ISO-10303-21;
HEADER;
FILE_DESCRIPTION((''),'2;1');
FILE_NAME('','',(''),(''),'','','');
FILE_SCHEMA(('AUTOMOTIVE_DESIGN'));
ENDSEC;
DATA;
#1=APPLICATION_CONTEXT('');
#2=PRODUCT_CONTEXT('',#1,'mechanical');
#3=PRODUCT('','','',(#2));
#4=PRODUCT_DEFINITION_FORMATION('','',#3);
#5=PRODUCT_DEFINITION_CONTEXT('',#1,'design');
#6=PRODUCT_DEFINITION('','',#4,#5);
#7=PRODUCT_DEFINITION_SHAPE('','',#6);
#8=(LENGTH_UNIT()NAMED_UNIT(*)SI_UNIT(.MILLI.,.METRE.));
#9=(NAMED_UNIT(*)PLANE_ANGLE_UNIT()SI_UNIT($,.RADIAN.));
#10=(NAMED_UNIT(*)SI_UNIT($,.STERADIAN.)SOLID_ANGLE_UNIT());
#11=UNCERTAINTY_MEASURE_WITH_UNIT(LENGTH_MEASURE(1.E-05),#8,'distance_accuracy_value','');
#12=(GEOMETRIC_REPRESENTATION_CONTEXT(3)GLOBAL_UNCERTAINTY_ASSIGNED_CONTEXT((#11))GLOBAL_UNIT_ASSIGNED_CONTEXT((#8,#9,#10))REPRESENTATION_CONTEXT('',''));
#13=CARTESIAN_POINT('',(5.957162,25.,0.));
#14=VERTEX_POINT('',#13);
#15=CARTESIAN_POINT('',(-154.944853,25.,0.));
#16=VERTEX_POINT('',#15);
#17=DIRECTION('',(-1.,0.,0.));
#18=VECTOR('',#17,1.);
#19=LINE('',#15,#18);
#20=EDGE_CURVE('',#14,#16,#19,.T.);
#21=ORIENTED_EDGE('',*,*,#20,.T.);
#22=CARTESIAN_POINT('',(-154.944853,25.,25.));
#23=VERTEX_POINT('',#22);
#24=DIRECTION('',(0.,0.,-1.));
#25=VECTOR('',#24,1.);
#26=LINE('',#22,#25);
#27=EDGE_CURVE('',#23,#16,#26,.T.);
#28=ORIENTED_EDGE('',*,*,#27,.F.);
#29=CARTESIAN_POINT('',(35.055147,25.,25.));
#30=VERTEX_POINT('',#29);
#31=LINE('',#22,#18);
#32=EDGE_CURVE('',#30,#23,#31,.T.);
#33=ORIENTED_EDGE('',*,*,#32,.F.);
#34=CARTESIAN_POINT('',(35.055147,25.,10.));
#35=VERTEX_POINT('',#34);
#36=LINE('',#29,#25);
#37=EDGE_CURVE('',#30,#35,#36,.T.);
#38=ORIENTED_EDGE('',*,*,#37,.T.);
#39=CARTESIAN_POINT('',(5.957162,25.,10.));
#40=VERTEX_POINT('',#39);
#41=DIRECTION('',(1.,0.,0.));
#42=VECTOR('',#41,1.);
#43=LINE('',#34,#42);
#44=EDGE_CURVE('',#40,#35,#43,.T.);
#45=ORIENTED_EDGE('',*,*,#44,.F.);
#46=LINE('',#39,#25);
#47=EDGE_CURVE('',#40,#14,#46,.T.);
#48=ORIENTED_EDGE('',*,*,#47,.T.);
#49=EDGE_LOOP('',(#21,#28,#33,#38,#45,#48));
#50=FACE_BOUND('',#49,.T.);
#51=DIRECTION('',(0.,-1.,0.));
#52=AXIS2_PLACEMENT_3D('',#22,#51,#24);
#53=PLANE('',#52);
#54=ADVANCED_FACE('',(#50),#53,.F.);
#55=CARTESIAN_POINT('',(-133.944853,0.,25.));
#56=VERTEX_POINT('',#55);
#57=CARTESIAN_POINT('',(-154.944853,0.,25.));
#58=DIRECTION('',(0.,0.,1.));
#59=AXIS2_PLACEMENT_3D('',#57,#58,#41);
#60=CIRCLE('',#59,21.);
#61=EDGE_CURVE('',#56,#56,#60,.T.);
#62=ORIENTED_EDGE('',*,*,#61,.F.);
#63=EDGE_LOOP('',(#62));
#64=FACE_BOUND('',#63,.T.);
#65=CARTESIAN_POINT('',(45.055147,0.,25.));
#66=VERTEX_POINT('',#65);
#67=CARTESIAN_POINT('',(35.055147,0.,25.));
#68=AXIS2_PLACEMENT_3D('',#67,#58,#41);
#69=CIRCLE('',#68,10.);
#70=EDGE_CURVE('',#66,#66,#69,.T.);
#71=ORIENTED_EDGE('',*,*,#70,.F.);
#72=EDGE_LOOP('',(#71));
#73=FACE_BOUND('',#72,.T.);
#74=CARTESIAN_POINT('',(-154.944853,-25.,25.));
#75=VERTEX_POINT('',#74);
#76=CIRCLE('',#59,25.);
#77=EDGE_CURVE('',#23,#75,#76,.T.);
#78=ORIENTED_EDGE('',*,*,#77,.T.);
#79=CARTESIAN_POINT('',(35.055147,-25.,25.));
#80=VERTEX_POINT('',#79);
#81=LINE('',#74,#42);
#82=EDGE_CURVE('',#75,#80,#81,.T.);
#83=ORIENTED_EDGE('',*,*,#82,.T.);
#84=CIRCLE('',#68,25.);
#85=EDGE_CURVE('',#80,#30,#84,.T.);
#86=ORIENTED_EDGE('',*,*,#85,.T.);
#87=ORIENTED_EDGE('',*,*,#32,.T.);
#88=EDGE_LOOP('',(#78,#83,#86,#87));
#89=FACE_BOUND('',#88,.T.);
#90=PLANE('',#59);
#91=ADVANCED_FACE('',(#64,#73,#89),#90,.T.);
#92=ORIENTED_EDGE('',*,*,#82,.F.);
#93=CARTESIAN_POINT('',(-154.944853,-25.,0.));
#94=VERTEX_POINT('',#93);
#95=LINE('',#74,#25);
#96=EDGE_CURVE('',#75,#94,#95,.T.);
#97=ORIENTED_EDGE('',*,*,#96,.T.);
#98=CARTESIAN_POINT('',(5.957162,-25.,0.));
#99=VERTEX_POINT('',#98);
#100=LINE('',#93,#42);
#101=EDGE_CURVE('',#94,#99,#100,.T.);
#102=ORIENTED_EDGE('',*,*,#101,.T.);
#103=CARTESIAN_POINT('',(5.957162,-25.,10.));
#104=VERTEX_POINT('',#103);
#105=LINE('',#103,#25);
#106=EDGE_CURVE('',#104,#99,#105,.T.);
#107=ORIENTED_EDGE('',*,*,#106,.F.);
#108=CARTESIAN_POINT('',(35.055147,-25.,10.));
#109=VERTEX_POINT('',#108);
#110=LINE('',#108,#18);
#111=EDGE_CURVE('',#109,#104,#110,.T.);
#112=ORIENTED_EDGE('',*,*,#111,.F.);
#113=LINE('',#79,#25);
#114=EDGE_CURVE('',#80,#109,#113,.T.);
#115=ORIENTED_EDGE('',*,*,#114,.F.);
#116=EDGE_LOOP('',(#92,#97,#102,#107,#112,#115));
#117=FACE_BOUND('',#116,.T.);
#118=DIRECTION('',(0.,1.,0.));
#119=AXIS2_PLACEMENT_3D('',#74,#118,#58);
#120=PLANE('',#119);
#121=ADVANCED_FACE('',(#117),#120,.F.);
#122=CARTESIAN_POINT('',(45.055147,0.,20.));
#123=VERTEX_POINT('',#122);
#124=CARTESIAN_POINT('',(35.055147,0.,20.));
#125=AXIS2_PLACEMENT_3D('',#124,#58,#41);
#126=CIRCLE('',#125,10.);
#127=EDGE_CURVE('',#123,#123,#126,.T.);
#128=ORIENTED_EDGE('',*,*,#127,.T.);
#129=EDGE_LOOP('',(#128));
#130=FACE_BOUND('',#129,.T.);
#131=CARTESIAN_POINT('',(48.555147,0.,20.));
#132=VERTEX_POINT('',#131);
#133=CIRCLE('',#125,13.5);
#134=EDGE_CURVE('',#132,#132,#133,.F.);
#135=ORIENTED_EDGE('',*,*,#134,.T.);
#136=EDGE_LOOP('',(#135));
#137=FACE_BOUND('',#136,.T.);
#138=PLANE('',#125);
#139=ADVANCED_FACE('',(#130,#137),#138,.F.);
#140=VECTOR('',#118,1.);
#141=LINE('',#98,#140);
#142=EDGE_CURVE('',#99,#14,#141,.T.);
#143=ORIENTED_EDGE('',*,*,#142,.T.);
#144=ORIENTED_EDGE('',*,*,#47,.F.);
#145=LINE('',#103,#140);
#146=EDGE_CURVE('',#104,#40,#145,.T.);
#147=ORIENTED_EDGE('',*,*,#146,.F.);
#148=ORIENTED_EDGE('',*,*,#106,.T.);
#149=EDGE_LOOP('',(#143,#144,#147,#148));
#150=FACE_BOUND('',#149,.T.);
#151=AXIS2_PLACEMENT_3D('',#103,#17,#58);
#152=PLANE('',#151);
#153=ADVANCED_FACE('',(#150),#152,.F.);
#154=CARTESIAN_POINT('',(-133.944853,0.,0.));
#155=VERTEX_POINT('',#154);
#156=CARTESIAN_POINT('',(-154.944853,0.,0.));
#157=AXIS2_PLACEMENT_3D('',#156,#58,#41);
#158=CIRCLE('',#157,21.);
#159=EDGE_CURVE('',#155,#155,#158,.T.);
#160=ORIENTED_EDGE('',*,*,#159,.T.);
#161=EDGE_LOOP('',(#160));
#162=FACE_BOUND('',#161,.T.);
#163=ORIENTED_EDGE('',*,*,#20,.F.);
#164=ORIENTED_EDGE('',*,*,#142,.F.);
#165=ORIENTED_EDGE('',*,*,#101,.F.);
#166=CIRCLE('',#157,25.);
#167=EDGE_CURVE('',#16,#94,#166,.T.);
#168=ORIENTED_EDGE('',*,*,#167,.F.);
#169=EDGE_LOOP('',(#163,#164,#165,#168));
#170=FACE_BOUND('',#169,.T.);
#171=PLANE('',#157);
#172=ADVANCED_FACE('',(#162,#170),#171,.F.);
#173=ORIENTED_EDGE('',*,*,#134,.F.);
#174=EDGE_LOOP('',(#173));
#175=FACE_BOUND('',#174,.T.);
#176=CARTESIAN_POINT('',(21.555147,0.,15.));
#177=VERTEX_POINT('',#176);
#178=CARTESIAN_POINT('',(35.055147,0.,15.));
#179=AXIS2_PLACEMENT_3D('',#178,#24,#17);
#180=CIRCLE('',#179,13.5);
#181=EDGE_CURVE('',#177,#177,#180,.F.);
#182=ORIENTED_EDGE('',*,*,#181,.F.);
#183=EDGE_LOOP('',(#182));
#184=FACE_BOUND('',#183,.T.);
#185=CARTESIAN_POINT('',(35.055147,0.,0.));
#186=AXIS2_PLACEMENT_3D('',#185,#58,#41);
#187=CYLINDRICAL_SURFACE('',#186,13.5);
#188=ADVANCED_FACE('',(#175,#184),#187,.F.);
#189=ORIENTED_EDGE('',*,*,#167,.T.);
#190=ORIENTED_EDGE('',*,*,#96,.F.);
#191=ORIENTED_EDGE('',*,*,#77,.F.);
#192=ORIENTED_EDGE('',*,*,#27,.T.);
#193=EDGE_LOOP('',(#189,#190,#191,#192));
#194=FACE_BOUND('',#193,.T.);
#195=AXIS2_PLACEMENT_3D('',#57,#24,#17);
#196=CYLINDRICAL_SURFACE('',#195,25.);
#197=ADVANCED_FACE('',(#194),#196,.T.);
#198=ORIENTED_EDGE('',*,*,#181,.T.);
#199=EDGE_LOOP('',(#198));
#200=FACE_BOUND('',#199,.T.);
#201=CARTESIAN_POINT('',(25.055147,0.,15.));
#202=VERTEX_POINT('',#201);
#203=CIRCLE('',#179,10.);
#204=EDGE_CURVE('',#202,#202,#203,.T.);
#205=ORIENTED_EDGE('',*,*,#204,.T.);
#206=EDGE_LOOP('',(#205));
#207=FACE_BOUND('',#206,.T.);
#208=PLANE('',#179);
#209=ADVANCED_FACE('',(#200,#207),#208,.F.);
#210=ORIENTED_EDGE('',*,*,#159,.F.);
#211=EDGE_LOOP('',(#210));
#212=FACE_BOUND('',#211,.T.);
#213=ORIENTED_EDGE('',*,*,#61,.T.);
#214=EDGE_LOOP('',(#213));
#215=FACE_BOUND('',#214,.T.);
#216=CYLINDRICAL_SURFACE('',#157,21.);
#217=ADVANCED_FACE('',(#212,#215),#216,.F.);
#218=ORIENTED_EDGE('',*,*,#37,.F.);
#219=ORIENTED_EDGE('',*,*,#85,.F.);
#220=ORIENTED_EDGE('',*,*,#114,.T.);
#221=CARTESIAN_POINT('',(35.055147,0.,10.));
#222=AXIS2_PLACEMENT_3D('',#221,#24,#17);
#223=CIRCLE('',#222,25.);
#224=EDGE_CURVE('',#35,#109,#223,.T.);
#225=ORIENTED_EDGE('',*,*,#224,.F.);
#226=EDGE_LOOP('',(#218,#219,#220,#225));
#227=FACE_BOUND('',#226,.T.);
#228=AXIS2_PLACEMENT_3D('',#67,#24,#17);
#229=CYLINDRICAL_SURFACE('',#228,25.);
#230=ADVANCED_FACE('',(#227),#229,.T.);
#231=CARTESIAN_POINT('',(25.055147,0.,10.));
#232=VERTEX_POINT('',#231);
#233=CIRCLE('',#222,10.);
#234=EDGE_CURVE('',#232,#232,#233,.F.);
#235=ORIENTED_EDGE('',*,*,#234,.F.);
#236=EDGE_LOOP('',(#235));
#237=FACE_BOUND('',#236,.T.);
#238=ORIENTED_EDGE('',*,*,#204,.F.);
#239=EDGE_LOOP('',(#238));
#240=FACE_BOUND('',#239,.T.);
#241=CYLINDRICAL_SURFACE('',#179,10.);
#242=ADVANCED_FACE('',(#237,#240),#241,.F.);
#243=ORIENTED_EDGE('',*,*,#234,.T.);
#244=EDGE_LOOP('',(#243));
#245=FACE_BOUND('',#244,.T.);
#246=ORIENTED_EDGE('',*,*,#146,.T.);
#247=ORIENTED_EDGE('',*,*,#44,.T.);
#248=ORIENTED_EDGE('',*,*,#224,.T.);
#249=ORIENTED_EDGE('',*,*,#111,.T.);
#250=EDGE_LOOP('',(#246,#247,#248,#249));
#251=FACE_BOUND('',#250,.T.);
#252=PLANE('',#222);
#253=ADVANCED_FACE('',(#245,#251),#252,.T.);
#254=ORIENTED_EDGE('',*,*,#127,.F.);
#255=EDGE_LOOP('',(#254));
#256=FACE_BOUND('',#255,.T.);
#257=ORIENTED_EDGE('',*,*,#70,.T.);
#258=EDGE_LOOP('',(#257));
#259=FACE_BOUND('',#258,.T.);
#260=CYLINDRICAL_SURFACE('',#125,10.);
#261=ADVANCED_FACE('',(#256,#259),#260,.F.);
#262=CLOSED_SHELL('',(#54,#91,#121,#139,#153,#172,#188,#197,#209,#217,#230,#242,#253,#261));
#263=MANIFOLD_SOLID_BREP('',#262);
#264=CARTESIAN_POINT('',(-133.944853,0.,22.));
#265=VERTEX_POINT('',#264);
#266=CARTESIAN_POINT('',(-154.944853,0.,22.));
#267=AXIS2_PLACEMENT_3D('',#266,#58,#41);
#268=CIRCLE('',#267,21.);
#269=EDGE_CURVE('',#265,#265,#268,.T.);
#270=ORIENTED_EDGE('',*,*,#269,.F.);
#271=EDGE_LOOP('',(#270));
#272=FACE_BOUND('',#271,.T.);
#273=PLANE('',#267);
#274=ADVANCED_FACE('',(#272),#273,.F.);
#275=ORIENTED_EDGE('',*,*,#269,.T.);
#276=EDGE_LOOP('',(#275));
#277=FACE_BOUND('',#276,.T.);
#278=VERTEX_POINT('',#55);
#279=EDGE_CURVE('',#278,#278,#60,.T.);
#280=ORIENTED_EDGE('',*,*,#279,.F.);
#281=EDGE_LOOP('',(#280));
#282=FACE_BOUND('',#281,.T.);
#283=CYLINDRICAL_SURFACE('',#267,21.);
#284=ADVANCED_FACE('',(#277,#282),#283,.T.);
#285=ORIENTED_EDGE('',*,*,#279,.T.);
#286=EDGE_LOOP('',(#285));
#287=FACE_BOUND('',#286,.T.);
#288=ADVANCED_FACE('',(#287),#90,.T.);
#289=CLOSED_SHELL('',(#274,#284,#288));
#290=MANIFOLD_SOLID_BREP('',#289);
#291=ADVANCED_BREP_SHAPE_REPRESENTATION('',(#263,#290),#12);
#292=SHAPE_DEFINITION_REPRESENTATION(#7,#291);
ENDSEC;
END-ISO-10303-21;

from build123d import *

# Parameters (mm, degrees)
BOSS_EXTRUDE1_DEPTH = 25
SKETCH2_R           = 13.5
CUT_EXTRUDE1_DEPTH  = 25
SKETCH3_R           = 21
CUT_EXTRUDE2_DEPTH  = 25
SKETCH4_R           = 13.5
SKETCH4_R_2         = 10
BOSS_EXTRUDE2_DEPTH = 5
BOSS_EXTRUDE3_START = -15
SKETCH5_R           = 13.5
SKETCH5_R_2         = 10
BOSS_EXTRUDE3_DEPTH = 15
CUT_EXTRUDE3_DEPTH  = 10
SKETCH7_R           = 21
BOSS_EXTRUDE4_DEPTH = 3


with BuildPart() as part:
    # Sketch1 → Boss-Extrude1 (new body)
    with BuildSketch(Plane.XY):
        with BuildLine():
            Line((-154.944852941, 25), (35.055147059, 25))
            ThreePointArc((35.055147059, 25), (60.055147059, 0), (35.055147059, -25))
            Line((35.055147059, -25), (-154.944852941, -25))
            ThreePointArc((-154.944852941, -25), (-179.944852941, 0), (-154.944852941, 25))
        make_face()
    extrude(amount=BOSS_EXTRUDE1_DEPTH)

    # Sketch2 → Cut-Extrude1 (cut)
    with BuildSketch(Plane.XY.offset(25)):
        with Locations((35.055147059, 0)):
            Circle(SKETCH2_R)
    extrude(amount=-CUT_EXTRUDE1_DEPTH, mode=Mode.SUBTRACT)

    # Sketch3 → Cut-Extrude2 (cut)
    with BuildSketch(Plane.XY.offset(25)):
        with Locations((-154.944852941, 0)):
            Circle(SKETCH3_R)
    extrude(amount=-CUT_EXTRUDE2_DEPTH, mode=Mode.SUBTRACT)

    # Sketch4 → Boss-Extrude2 (add)
    with BuildSketch(Plane.XY.offset(25)):
        with Locations((35.055147059, 0)):
            Circle(SKETCH4_R)
        with Locations((35.055147059, 0)):
            Circle(SKETCH4_R_2, mode=Mode.SUBTRACT)
    extrude(amount=-BOSS_EXTRUDE2_DEPTH)

    # Sketch5 → Boss-Extrude3 (add)
    with BuildSketch(Plane(origin=(0, 0, 0), x_dir=(-1, 0, 0), z_dir=(0, 0, -1)).offset(BOSS_EXTRUDE3_START)):
        with Locations(Location((-35.055147059, 0, 0), (0, 0, 180))):
            Circle(SKETCH5_R)
        with Locations(Location((-35.055147059, 0, 0), (0, 0, 180))):
            Circle(SKETCH5_R_2, mode=Mode.SUBTRACT)
    extrude(amount=BOSS_EXTRUDE3_DEPTH)

    # Sketch6 → Cut-Extrude3 (cut)
    with BuildSketch(Plane(origin=(0, 0, 0), x_dir=(-1, 0, 0), z_dir=(0, 0, -1))):
        with BuildLine():
            Line((-35.055147059, 25), (-5.957161701, 25))
            Line((-5.957161701, 25), (-5.957161701, -25))
            Line((-5.957161701, -25), (-35.055147059, -25))
            ThreePointArc((-35.055147059, -25), (-60.055147059, 0), (-35.055147059, 25))
        make_face()
    extrude(amount=-CUT_EXTRUDE3_DEPTH, mode=Mode.SUBTRACT)


with BuildPart() as body_2:
    # Sketch7 → Boss-Extrude4 (new body)
    with BuildSketch(Plane.XY.offset(25)):
        with Locations((-154.944852941, 0)):
            Circle(SKETCH7_R)
    extrude(amount=-BOSS_EXTRUDE4_DEPTH)


solid = Compound([part.part, body_2.part])
